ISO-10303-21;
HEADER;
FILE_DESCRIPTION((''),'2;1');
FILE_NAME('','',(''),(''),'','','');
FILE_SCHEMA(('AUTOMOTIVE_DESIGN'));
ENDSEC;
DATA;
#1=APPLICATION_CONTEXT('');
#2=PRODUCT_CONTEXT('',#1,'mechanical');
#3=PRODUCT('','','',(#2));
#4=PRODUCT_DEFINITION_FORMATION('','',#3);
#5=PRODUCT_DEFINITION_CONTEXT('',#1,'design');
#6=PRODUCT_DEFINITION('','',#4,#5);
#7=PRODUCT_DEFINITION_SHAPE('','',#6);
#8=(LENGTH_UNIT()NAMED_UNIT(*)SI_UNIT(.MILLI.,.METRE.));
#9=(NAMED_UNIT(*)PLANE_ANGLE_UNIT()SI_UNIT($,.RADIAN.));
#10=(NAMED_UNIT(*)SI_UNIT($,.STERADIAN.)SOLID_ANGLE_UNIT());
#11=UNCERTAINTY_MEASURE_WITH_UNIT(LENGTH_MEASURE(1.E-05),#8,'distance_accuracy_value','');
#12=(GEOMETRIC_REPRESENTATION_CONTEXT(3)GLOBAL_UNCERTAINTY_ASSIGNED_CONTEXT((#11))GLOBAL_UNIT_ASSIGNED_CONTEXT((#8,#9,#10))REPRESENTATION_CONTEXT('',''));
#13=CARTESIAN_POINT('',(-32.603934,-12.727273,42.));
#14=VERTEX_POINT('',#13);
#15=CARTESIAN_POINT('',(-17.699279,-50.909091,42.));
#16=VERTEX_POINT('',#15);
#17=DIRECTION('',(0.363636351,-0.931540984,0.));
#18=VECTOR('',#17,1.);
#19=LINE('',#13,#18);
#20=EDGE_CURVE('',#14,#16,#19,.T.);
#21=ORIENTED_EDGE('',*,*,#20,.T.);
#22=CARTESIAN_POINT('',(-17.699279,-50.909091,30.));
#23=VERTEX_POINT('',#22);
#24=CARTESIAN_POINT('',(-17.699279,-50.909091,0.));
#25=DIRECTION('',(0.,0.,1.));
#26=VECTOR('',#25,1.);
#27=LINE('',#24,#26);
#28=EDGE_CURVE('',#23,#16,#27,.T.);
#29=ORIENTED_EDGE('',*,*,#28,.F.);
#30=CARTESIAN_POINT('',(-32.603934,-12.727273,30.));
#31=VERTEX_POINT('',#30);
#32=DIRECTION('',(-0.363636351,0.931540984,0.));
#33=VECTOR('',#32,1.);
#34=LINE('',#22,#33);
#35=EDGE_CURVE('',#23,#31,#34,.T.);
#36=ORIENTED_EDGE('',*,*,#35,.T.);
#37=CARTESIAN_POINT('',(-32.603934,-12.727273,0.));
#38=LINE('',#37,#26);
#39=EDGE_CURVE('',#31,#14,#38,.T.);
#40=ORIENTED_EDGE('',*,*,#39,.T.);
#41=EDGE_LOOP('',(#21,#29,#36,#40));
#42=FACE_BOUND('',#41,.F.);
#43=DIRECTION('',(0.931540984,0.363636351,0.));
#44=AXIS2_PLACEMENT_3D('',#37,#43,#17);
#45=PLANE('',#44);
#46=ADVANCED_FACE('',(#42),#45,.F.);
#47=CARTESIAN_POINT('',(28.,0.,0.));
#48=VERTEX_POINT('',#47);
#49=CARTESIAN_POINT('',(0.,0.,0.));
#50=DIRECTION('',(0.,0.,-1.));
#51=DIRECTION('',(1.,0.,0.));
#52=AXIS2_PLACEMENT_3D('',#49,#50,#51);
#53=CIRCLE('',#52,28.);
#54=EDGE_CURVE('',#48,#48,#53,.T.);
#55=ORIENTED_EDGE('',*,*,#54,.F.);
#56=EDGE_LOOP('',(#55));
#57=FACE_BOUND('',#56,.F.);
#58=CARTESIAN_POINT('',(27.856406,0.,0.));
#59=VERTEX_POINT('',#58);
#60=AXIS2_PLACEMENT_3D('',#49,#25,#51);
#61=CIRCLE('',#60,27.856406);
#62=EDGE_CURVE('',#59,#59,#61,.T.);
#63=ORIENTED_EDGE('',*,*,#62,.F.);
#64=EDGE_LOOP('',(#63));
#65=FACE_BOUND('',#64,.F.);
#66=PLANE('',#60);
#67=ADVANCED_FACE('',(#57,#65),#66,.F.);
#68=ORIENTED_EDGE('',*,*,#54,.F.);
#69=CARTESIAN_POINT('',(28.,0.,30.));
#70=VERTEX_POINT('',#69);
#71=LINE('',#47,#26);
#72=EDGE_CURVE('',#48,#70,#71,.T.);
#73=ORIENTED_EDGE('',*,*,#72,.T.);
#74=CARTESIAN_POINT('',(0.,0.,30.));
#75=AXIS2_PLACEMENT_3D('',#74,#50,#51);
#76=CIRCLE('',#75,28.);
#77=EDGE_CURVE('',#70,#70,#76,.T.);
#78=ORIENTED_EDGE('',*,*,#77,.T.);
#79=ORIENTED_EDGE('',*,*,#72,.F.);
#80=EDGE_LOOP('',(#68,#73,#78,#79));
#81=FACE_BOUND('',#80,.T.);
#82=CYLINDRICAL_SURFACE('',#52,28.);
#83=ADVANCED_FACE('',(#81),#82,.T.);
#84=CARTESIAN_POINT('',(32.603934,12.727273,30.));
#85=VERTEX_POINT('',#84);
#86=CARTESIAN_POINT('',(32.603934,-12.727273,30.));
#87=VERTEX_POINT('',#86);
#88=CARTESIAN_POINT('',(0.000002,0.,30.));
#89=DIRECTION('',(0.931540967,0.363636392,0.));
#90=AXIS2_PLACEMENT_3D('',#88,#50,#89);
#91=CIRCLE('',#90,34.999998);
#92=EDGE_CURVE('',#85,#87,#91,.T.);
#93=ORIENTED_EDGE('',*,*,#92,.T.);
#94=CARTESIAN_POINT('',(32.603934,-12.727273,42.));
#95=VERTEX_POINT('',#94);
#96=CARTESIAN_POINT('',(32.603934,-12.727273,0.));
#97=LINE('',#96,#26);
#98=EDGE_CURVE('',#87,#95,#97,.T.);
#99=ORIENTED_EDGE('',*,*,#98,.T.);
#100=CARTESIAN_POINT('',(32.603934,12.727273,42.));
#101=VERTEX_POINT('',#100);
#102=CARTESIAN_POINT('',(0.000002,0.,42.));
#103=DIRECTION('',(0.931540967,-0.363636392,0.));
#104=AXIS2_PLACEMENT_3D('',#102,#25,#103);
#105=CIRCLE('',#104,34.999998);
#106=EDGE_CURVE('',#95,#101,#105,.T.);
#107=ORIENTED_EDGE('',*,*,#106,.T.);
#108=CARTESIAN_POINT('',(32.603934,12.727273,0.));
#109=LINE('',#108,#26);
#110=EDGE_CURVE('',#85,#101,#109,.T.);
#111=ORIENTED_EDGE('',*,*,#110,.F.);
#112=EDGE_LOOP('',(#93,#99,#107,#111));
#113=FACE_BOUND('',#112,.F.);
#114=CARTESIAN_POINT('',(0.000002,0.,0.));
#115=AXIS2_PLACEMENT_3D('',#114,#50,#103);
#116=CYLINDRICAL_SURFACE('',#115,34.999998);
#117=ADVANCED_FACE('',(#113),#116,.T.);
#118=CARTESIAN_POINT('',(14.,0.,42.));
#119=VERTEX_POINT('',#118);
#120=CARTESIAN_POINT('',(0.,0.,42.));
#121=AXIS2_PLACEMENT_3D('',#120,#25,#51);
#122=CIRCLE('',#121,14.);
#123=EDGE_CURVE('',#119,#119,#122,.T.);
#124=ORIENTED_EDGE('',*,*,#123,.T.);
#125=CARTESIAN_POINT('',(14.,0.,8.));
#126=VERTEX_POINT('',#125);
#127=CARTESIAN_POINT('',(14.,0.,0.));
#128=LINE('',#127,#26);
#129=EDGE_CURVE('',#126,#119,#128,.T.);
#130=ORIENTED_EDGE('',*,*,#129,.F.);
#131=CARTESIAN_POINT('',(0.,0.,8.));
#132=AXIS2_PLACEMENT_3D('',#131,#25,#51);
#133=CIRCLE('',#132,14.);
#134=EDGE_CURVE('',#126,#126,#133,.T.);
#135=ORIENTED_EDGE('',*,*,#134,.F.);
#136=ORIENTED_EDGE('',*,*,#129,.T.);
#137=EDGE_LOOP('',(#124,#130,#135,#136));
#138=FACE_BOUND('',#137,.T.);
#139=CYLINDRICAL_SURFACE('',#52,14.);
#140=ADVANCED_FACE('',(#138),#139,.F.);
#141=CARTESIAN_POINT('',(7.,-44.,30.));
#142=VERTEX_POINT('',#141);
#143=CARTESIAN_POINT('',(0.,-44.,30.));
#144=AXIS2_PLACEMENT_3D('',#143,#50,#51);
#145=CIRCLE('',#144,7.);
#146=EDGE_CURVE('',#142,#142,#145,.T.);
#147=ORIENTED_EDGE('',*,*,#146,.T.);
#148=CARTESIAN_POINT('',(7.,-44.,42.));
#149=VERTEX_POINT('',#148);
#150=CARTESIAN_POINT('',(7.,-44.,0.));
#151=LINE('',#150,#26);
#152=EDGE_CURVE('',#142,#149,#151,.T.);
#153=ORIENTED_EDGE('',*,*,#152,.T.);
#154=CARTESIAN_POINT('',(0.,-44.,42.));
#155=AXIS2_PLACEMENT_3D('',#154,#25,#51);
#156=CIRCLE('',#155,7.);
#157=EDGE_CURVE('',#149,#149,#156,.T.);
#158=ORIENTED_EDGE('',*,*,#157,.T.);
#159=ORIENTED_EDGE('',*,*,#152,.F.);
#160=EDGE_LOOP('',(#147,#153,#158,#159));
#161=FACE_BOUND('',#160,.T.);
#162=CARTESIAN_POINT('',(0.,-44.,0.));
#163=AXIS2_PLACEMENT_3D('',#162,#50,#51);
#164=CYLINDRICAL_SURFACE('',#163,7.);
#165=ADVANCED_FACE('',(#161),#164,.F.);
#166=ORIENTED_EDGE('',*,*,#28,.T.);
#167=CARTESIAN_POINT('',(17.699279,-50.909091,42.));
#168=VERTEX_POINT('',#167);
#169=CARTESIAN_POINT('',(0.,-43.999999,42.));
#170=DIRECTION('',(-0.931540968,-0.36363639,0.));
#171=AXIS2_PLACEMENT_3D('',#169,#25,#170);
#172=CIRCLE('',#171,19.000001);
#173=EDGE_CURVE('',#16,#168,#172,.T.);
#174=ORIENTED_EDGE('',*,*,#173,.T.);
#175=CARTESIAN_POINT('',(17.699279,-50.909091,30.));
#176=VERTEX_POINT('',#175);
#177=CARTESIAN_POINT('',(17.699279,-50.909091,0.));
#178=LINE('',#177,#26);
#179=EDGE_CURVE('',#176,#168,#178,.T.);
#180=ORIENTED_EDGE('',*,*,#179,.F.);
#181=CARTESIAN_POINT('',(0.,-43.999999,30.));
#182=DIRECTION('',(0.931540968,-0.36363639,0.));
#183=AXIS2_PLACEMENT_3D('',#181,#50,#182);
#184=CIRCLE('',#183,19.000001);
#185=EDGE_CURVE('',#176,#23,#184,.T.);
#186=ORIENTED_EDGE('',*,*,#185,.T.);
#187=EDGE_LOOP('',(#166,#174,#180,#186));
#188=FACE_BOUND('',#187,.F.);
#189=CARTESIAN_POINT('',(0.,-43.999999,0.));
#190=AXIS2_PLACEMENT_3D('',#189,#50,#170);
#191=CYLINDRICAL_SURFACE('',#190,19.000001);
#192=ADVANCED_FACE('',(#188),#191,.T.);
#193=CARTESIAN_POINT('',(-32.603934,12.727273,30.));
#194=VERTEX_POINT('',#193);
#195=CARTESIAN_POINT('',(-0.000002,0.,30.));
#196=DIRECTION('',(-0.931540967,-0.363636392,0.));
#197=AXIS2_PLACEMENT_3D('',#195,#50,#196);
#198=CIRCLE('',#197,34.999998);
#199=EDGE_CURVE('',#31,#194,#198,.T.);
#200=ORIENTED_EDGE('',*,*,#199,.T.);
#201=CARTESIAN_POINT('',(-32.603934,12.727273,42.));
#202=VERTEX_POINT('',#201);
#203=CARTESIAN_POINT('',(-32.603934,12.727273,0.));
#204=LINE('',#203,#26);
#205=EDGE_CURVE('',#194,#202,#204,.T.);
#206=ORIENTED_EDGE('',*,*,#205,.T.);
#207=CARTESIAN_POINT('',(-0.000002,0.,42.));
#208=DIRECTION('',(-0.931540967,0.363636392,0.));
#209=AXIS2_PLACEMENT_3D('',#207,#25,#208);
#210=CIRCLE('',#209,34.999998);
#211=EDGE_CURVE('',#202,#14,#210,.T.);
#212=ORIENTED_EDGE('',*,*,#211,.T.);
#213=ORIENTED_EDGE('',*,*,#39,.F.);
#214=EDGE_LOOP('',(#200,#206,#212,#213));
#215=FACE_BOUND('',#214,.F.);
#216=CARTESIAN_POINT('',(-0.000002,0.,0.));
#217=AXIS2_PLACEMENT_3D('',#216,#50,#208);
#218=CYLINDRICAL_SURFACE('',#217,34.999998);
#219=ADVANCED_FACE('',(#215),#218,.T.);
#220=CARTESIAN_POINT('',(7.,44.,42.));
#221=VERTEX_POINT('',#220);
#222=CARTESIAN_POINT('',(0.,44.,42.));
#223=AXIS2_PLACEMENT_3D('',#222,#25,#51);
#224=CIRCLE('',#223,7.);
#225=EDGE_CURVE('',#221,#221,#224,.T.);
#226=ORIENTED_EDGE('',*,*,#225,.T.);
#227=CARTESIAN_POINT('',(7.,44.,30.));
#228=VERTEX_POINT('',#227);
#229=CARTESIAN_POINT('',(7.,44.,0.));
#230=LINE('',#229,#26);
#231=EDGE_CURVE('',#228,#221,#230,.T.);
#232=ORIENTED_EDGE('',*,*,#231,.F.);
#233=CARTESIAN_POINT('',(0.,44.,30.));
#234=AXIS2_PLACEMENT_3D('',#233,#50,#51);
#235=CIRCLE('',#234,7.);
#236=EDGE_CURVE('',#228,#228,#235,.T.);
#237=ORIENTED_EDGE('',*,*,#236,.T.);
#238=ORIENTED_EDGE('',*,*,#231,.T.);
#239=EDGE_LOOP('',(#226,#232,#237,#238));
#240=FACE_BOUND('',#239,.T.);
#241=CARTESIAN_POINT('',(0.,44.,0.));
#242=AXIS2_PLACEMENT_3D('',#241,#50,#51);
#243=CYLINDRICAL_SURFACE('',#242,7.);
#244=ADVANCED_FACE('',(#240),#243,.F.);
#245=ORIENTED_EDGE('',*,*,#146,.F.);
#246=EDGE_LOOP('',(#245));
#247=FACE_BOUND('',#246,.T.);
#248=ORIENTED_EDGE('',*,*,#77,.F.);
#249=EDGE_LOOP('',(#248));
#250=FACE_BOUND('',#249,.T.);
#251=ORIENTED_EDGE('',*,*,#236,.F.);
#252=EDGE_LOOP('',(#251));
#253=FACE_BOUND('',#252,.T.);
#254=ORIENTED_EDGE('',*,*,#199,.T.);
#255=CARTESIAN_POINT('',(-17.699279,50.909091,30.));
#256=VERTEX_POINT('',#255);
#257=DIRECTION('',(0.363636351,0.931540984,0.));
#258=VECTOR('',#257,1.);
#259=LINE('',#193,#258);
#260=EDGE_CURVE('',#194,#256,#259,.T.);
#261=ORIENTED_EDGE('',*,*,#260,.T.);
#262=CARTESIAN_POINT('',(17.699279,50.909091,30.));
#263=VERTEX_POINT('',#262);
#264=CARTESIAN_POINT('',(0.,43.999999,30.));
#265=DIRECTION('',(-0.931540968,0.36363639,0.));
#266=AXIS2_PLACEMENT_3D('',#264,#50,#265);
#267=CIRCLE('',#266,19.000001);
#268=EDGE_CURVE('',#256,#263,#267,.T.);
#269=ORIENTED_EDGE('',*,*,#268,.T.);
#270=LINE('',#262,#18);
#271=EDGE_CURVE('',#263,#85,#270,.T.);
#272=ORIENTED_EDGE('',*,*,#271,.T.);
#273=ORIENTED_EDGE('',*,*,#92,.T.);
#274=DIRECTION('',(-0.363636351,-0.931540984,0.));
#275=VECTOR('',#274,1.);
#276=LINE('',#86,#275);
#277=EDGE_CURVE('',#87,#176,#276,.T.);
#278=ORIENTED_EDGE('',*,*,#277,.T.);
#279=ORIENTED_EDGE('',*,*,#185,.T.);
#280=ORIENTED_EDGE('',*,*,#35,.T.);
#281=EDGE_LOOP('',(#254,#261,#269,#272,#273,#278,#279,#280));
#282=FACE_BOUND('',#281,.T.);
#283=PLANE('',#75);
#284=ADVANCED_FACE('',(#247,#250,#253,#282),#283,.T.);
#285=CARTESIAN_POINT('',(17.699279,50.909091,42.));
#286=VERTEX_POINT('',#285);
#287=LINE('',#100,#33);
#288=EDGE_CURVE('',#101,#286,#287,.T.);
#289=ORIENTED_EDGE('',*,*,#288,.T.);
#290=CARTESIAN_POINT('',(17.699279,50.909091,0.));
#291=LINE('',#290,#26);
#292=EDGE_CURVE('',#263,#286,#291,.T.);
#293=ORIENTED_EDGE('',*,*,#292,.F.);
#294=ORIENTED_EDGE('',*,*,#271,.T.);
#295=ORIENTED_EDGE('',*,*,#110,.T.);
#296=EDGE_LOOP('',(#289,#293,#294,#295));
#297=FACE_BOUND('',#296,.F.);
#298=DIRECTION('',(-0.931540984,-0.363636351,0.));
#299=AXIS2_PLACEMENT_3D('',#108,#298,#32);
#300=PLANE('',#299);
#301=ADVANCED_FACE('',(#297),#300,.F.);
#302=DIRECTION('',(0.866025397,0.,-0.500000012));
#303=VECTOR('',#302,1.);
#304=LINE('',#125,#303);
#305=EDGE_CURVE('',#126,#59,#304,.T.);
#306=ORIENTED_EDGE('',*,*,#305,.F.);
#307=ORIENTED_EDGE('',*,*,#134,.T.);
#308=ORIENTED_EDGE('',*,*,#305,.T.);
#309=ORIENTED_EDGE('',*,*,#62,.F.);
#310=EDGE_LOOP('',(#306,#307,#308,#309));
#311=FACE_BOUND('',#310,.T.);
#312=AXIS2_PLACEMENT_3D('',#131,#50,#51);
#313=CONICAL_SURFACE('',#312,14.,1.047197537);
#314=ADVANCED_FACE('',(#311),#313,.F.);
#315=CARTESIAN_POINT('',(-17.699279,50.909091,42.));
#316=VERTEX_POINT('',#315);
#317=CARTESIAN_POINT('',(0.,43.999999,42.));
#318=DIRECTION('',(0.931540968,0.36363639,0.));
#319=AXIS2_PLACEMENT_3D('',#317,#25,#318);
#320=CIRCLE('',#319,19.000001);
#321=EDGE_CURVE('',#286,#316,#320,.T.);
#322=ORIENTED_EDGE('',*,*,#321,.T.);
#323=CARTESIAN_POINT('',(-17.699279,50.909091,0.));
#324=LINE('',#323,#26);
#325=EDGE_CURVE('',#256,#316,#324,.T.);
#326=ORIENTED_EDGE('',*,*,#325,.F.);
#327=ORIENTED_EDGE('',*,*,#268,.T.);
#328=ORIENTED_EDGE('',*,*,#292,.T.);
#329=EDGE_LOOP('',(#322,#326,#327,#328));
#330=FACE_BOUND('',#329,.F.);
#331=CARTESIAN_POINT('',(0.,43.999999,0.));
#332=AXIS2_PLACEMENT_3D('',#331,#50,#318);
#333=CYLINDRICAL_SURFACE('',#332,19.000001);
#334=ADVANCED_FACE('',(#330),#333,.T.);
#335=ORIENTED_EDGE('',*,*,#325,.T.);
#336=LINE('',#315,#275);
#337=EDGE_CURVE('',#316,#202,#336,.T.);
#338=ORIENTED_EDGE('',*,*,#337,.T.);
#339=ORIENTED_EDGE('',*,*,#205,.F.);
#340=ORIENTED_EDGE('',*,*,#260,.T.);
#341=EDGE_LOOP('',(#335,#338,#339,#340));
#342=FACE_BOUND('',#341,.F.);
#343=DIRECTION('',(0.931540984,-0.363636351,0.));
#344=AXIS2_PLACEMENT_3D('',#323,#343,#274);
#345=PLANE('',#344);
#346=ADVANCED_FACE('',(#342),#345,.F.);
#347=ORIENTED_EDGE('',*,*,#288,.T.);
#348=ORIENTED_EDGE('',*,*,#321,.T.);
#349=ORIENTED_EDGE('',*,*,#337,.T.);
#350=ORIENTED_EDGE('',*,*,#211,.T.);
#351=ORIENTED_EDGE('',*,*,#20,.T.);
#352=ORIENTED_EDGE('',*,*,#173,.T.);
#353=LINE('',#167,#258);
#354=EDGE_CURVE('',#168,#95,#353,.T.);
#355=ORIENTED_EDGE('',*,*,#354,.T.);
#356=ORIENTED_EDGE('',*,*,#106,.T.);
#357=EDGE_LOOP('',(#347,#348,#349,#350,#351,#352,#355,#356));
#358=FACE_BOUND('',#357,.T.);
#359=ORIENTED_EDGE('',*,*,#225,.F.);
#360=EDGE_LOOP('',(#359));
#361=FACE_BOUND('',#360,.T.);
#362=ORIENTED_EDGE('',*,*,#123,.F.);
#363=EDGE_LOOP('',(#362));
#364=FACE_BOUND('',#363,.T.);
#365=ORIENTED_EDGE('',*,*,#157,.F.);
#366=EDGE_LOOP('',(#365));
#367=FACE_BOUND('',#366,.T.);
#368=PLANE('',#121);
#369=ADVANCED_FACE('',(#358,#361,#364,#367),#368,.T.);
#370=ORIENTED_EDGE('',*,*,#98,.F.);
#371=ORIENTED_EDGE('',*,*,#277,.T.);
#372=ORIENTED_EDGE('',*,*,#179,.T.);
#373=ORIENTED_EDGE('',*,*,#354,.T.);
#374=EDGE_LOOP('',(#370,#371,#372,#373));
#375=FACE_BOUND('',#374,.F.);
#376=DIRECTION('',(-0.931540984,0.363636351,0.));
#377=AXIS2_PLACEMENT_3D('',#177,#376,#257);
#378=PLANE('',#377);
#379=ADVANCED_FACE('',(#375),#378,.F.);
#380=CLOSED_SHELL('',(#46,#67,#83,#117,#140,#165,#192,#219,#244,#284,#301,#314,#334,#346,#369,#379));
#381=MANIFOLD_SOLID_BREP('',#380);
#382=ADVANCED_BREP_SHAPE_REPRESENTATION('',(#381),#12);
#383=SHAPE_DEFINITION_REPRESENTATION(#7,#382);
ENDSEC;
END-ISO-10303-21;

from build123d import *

# Parameters (mm, degrees)
F0_R     = 7
F0_R_2   = 14
F1_DEPTH = 42
F2_R     = 7
F2_R_2   = 28
F3_DEPTH = 30
F4_SIZE2 = 13.856406
F4_SIZE  = 8


with BuildPart() as f1:
    # F0 (on Top) → F1 (new body)
    with BuildSketch(Plane.XY):
        with BuildLine():
            Line((32.603934, 12.727273), (17.699279, 50.909091))
            ThreePointArc((17.699279, 50.909091), (0, 63), (-17.699279, 50.909091))
            Line((-17.699279, 50.909091), (-32.603934, 12.727273))
            ThreePointArc((-32.603934, 12.727273), (-35, 0), (-32.603934, -12.727273))
            Line((-32.603934, -12.727273), (-17.699279, -50.909091))
            ThreePointArc((-17.699279, -50.909091), (0, -63), (17.699279, -50.909091))
            Line((17.699279, -50.909091), (32.603934, -12.727273))
            ThreePointArc((32.603934, -12.727273), (35, 0), (32.603934, 12.727273))
        make_face()
        with Locations((0, -44)):
            Circle(F0_R, mode=Mode.SUBTRACT)
        Circle(F0_R_2, mode=Mode.SUBTRACT)
        with Locations((0, 44)):
            Circle(F0_R, mode=Mode.SUBTRACT)
    extrude(amount=F1_DEPTH)

    # F2 (on face) → F3 (cut)
    with BuildSketch(Plane(origin=(0, 0, 0), x_dir=(1, 0, 0), z_dir=(0, 0, -1))):
        with BuildLine():
            ThreePointArc((-17.699279, -50.909091), (0, -63), (17.699279, -50.909091))
            Line((17.699279, -50.909091), (32.603934, -12.727273))
            ThreePointArc((32.603934, -12.727273), (35, 0), (32.603934, 12.727273))
            Line((32.603934, 12.727273), (17.699279, 50.909091))
            ThreePointArc((17.699279, 50.909091), (0, 63), (-17.699279, 50.909091))
            Line((-17.699279, 50.909091), (-32.603934, 12.727273))
            ThreePointArc((-32.603934, 12.727273), (-35, 0), (-32.603934, -12.727273))
            Line((-32.603934, -12.727273), (-17.699279, -50.909091))
        make_face()
        with Locations((0, -44)):
            Circle(F2_R, mode=Mode.SUBTRACT)
        Circle(F2_R_2, mode=Mode.SUBTRACT)
        with Locations((0, 44)):
            Circle(F2_R, mode=Mode.SUBTRACT)
    extrude(amount=-F3_DEPTH, mode=Mode.SUBTRACT)

    # F4
    f4_edges = [f1.edges().sort_by_distance(p)[0] for p in [
        (-14, 0, 0),
    ]]
    chamfer(f4_edges, length=F4_SIZE, length2=F4_SIZE2)


solid = f1.part
